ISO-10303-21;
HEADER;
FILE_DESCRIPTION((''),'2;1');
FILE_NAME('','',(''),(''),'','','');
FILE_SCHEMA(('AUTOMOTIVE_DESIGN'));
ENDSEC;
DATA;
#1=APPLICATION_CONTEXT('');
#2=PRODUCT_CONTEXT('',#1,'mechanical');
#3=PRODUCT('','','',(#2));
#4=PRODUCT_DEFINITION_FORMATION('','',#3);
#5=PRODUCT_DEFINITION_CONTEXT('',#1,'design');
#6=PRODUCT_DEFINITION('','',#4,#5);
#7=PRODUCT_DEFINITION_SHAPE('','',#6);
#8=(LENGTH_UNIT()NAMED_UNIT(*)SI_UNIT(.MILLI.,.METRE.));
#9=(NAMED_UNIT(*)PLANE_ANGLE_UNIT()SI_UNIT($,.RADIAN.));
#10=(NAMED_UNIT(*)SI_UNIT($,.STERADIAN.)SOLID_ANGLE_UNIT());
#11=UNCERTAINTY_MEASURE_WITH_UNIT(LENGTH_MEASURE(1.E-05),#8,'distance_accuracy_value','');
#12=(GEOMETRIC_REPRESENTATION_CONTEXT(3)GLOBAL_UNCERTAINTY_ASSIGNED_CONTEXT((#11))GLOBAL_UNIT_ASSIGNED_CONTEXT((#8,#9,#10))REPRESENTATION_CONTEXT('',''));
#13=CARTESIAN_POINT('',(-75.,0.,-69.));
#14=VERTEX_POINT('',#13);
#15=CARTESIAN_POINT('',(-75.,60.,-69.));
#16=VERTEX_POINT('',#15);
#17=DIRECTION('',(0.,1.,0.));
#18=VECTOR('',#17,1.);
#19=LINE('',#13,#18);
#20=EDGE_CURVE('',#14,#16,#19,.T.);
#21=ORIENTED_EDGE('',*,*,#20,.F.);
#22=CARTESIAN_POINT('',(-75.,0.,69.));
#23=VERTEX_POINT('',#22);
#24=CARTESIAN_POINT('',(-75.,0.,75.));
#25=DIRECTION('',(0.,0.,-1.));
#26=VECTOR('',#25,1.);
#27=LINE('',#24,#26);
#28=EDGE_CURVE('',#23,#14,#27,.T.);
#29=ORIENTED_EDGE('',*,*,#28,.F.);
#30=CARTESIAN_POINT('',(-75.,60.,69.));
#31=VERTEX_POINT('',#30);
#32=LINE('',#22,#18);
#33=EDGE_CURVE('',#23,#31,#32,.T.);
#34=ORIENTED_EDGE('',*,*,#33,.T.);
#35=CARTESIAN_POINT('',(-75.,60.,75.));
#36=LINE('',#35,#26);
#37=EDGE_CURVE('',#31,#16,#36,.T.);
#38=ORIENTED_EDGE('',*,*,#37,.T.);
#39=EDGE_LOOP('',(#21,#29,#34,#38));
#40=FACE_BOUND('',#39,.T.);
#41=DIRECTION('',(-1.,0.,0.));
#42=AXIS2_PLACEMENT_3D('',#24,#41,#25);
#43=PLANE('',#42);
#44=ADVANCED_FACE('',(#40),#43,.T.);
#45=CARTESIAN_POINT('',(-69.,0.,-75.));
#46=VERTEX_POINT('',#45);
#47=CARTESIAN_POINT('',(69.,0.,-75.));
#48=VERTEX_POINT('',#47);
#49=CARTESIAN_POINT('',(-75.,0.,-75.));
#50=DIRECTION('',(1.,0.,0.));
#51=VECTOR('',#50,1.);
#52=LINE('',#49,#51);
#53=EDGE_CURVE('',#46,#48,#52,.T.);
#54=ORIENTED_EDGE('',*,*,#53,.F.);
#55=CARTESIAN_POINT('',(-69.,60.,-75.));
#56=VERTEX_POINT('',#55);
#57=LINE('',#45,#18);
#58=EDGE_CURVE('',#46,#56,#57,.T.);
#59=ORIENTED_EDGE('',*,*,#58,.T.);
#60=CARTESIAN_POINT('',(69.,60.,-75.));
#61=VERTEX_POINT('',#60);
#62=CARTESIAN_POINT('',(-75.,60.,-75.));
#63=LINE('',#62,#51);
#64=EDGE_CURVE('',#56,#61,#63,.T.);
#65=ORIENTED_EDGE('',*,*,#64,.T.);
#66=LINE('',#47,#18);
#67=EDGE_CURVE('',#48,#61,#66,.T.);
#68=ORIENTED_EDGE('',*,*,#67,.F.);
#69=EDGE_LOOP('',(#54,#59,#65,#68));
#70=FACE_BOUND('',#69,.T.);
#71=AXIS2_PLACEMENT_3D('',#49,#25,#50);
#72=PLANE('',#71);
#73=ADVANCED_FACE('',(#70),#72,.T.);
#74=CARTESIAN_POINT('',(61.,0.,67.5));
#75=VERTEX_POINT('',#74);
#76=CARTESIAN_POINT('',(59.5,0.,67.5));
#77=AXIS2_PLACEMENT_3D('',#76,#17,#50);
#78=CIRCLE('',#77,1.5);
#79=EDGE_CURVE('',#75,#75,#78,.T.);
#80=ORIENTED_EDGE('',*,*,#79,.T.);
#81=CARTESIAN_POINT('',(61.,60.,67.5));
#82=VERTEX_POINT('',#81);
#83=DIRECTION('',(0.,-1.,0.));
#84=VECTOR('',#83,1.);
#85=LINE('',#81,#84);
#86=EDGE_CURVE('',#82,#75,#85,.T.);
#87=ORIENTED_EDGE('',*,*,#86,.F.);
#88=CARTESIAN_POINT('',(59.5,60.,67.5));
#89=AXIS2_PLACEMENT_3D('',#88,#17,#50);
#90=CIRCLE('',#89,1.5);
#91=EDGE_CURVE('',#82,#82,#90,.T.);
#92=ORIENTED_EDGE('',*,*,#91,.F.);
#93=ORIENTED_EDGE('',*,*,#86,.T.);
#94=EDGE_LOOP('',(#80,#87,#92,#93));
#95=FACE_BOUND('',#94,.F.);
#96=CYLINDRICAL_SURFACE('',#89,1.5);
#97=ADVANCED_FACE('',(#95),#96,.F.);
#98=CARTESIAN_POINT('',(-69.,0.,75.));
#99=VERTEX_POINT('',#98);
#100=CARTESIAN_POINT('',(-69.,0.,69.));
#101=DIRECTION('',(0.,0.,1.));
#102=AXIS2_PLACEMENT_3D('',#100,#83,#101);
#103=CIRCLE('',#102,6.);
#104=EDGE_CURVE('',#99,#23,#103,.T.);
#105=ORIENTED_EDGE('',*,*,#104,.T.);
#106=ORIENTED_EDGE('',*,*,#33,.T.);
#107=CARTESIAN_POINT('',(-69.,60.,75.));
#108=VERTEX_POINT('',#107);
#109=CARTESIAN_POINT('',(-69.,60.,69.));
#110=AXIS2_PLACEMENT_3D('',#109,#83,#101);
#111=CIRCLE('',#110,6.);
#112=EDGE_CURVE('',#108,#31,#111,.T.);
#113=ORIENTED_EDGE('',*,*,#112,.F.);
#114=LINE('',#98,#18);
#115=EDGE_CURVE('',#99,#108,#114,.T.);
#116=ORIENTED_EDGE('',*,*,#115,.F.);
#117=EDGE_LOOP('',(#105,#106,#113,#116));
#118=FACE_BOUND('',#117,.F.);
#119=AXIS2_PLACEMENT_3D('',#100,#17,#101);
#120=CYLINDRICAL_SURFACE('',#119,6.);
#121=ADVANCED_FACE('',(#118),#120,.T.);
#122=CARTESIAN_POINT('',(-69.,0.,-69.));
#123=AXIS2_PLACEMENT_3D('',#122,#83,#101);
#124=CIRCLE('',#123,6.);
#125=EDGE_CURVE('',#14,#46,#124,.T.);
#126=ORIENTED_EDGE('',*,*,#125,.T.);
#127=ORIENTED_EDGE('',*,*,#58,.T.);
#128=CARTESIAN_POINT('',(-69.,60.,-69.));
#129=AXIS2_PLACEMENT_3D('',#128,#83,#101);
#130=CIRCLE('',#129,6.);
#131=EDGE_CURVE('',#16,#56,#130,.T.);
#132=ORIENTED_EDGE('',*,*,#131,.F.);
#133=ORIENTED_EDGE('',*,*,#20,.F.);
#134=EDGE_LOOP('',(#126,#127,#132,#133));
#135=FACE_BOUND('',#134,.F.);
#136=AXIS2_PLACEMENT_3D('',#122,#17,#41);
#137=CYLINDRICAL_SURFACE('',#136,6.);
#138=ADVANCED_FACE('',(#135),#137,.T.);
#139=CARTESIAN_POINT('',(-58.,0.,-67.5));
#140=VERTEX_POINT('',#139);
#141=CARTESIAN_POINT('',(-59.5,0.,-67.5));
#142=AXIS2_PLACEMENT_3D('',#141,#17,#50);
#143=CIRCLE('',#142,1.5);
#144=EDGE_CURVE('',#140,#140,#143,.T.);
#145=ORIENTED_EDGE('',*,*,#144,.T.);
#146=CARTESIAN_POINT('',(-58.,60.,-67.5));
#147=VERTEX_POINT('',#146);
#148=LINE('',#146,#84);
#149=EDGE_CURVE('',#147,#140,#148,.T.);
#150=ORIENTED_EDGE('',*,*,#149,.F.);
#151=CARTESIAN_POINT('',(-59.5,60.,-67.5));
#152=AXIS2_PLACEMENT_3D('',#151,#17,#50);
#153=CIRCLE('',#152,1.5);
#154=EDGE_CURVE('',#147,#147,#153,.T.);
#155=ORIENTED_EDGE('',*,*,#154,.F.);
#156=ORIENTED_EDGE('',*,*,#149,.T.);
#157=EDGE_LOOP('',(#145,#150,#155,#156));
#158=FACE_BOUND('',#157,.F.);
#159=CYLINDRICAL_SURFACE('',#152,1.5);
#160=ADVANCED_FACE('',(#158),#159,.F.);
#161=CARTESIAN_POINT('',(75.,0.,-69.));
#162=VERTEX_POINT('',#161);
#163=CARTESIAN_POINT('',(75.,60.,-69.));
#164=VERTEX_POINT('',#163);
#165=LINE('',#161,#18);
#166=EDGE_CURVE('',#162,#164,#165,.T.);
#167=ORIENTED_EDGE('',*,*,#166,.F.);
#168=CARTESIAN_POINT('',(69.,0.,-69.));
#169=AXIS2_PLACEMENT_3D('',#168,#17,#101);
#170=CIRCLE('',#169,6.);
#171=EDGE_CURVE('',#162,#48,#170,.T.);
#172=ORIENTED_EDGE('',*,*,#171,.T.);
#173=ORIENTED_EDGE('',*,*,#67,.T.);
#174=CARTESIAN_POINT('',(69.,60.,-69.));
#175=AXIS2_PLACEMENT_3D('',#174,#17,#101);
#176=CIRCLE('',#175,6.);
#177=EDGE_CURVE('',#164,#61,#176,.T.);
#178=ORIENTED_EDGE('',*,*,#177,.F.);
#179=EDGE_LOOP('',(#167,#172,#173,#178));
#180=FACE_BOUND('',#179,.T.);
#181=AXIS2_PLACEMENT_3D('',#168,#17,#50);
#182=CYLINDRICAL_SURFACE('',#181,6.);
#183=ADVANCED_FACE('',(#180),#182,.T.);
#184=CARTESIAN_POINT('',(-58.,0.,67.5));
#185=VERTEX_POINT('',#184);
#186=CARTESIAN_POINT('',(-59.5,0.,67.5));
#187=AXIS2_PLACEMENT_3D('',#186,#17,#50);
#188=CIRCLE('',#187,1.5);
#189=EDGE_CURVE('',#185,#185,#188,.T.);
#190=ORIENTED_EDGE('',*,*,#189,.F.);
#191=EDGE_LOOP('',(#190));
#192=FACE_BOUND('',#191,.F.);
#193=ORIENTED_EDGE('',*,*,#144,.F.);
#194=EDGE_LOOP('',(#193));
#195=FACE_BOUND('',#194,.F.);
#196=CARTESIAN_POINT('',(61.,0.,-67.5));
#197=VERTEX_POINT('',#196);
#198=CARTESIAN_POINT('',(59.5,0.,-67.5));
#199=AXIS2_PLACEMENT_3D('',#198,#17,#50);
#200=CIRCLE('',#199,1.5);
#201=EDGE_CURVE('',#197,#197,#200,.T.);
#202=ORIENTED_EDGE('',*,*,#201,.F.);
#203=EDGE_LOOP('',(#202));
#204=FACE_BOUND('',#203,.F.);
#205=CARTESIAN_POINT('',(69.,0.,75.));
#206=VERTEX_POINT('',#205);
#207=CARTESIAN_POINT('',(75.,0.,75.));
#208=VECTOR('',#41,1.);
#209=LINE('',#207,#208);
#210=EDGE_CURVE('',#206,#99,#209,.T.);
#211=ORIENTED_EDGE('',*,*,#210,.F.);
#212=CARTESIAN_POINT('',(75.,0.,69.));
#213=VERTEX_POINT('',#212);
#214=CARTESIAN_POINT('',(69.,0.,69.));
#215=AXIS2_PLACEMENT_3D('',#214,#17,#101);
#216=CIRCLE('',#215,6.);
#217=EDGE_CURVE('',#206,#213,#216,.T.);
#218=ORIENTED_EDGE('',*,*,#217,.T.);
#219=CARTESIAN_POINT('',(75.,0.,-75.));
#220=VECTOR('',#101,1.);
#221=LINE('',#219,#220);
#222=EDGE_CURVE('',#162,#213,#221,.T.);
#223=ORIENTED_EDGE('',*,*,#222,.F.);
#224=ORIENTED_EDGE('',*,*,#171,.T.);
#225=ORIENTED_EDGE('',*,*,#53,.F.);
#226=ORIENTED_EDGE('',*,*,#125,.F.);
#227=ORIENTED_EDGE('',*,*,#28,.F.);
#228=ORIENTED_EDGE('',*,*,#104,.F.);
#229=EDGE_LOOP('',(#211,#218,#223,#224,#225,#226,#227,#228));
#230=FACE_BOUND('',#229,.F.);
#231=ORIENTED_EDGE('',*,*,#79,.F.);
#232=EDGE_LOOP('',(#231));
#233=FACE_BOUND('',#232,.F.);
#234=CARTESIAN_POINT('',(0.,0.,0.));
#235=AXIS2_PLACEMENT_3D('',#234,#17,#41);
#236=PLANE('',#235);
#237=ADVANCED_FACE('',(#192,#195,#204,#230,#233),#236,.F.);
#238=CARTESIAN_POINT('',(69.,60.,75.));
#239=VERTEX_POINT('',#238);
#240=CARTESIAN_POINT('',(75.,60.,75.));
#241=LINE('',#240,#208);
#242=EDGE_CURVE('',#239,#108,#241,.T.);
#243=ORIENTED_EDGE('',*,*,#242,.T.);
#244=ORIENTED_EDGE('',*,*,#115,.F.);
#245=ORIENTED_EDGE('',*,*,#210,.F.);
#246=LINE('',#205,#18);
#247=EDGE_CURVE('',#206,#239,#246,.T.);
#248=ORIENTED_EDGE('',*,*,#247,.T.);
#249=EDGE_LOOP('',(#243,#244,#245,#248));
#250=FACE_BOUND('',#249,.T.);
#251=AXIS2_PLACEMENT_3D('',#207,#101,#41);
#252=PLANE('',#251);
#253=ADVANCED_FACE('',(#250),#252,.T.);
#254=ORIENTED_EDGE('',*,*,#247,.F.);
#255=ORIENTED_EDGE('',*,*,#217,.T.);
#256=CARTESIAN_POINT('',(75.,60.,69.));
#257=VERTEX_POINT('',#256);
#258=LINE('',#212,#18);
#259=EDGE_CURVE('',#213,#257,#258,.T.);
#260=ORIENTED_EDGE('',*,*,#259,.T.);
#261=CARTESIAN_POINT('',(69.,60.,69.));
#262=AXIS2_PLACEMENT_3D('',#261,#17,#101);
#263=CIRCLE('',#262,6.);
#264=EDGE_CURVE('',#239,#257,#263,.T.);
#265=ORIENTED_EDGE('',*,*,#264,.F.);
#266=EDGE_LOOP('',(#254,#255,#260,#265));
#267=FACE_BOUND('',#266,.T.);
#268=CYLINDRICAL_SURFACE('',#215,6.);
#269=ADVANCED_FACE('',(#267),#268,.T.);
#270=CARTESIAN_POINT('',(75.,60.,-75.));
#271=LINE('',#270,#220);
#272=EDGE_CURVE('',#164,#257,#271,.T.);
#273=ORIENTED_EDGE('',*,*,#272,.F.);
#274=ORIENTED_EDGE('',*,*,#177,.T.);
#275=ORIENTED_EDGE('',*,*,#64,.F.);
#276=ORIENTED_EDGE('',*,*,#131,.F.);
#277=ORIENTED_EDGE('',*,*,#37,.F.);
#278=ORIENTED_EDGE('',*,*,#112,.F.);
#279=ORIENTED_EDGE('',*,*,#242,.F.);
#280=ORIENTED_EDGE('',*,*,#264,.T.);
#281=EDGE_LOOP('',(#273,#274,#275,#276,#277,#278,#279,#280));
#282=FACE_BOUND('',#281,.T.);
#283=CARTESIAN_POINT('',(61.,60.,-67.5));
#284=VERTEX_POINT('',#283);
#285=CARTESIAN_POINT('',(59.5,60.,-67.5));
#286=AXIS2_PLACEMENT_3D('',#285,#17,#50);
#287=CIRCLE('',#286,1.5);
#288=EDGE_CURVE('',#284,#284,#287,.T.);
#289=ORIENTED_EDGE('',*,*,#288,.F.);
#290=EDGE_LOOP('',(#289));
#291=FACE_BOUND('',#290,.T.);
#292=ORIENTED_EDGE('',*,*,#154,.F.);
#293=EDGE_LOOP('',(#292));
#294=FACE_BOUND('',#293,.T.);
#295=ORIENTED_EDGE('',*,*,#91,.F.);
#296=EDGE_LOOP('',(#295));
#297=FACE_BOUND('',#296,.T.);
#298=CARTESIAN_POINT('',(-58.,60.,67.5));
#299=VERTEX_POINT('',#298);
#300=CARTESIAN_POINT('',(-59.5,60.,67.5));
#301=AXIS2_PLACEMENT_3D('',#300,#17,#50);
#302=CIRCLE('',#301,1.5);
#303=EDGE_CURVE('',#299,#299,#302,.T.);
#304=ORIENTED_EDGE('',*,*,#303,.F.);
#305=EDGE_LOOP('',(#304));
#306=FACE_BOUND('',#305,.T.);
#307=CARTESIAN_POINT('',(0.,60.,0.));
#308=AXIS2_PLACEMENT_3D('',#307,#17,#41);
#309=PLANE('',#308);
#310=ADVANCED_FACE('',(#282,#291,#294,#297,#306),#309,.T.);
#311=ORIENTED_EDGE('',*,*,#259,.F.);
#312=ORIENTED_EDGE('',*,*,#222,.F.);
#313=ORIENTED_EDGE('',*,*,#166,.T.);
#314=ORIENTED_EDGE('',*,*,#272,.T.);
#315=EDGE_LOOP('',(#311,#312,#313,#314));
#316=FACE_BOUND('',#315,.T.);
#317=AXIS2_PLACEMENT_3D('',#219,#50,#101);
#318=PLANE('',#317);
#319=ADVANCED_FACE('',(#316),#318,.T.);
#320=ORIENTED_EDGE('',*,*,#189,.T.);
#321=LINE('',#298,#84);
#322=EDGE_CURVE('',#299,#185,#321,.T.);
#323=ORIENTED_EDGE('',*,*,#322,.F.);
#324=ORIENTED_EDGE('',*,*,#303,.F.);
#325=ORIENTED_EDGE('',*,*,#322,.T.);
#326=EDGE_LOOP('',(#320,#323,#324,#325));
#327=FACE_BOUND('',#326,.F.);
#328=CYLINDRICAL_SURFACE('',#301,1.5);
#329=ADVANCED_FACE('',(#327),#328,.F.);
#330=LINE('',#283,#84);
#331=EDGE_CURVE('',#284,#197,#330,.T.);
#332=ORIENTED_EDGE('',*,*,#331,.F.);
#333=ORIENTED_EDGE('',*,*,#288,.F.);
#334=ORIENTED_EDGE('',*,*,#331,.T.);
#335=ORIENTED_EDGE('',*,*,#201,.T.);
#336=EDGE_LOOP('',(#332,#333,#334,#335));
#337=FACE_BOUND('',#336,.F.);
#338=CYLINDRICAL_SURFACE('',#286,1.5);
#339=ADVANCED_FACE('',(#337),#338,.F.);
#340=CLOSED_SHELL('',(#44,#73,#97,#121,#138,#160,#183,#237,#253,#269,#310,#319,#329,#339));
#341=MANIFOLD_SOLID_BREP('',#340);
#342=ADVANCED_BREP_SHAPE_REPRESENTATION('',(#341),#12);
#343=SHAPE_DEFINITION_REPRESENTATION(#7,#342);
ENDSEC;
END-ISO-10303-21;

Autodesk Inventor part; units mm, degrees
sketch "Sketch1" plane through (0, 0, 0) normal (0, 1, 0) x (-1, 0, 0)
  line L0 (-75, 75) -> (75, 75)
  line L1 (75, 75) -> (75, -75)
  line L2 (75, -75) -> (-75, -75)
  line L3 (-75, -75) -> (-75, 75)
  line L4 (-75, 75) -> (75, -75) construction
  line L5 (75, 75) -> (-75, -75) construction
  point P0 (0, 0)
  dimension "d0" = 150
  dimension "d1" = 150
extrude "Extrusion1" add sketch "Sketch1" along normal blind 60
sketch "Sketch2" plane through (0, 60, 0) normal (0, 1, 0) x (1, 0, 0)
  circle A0 centre (-59.5, 67.5) radius 1.5
  circle A1 centre (59.5, 67.5) radius 1.5
  circle A2 centre (59.5, -67.5) radius 1.5
  circle A3 centre (-59.5, -67.5) radius 1.5
  line L0 (0, 105) -> (0, -105) projected
  line L1 (105, 0) -> (-105, 0) projected
  circle A4 centre (-59.5, 67.5) radius 1.5
  circle A5 centre (59.5, 67.5) radius 1.5
  circle A6 centre (59.5, -67.5) radius 1.5
  circle A7 centre (-59.5, -67.5) radius 1.5
  point P0 (0, 0)
  dimension "d4" = 3
  dimension "d5" = 119
  dimension "d6" = 135
  dimension "d7" = 59.5
  dimension "d8" = 67.5
  dimension "d11" = 3
extrude "Extrusion2" cut sketch "Sketch2" against normal through all
fillet "Fillet1" radius 6 4 edges at (75, 30, 75) (-75, 30, 75) (75, 30, -75) (-75, 30, -75)
equation "\"d7\" = 0.5 * d5"
equation "\"d8\" = 0.5 * d6"
properties part number "BOX"
